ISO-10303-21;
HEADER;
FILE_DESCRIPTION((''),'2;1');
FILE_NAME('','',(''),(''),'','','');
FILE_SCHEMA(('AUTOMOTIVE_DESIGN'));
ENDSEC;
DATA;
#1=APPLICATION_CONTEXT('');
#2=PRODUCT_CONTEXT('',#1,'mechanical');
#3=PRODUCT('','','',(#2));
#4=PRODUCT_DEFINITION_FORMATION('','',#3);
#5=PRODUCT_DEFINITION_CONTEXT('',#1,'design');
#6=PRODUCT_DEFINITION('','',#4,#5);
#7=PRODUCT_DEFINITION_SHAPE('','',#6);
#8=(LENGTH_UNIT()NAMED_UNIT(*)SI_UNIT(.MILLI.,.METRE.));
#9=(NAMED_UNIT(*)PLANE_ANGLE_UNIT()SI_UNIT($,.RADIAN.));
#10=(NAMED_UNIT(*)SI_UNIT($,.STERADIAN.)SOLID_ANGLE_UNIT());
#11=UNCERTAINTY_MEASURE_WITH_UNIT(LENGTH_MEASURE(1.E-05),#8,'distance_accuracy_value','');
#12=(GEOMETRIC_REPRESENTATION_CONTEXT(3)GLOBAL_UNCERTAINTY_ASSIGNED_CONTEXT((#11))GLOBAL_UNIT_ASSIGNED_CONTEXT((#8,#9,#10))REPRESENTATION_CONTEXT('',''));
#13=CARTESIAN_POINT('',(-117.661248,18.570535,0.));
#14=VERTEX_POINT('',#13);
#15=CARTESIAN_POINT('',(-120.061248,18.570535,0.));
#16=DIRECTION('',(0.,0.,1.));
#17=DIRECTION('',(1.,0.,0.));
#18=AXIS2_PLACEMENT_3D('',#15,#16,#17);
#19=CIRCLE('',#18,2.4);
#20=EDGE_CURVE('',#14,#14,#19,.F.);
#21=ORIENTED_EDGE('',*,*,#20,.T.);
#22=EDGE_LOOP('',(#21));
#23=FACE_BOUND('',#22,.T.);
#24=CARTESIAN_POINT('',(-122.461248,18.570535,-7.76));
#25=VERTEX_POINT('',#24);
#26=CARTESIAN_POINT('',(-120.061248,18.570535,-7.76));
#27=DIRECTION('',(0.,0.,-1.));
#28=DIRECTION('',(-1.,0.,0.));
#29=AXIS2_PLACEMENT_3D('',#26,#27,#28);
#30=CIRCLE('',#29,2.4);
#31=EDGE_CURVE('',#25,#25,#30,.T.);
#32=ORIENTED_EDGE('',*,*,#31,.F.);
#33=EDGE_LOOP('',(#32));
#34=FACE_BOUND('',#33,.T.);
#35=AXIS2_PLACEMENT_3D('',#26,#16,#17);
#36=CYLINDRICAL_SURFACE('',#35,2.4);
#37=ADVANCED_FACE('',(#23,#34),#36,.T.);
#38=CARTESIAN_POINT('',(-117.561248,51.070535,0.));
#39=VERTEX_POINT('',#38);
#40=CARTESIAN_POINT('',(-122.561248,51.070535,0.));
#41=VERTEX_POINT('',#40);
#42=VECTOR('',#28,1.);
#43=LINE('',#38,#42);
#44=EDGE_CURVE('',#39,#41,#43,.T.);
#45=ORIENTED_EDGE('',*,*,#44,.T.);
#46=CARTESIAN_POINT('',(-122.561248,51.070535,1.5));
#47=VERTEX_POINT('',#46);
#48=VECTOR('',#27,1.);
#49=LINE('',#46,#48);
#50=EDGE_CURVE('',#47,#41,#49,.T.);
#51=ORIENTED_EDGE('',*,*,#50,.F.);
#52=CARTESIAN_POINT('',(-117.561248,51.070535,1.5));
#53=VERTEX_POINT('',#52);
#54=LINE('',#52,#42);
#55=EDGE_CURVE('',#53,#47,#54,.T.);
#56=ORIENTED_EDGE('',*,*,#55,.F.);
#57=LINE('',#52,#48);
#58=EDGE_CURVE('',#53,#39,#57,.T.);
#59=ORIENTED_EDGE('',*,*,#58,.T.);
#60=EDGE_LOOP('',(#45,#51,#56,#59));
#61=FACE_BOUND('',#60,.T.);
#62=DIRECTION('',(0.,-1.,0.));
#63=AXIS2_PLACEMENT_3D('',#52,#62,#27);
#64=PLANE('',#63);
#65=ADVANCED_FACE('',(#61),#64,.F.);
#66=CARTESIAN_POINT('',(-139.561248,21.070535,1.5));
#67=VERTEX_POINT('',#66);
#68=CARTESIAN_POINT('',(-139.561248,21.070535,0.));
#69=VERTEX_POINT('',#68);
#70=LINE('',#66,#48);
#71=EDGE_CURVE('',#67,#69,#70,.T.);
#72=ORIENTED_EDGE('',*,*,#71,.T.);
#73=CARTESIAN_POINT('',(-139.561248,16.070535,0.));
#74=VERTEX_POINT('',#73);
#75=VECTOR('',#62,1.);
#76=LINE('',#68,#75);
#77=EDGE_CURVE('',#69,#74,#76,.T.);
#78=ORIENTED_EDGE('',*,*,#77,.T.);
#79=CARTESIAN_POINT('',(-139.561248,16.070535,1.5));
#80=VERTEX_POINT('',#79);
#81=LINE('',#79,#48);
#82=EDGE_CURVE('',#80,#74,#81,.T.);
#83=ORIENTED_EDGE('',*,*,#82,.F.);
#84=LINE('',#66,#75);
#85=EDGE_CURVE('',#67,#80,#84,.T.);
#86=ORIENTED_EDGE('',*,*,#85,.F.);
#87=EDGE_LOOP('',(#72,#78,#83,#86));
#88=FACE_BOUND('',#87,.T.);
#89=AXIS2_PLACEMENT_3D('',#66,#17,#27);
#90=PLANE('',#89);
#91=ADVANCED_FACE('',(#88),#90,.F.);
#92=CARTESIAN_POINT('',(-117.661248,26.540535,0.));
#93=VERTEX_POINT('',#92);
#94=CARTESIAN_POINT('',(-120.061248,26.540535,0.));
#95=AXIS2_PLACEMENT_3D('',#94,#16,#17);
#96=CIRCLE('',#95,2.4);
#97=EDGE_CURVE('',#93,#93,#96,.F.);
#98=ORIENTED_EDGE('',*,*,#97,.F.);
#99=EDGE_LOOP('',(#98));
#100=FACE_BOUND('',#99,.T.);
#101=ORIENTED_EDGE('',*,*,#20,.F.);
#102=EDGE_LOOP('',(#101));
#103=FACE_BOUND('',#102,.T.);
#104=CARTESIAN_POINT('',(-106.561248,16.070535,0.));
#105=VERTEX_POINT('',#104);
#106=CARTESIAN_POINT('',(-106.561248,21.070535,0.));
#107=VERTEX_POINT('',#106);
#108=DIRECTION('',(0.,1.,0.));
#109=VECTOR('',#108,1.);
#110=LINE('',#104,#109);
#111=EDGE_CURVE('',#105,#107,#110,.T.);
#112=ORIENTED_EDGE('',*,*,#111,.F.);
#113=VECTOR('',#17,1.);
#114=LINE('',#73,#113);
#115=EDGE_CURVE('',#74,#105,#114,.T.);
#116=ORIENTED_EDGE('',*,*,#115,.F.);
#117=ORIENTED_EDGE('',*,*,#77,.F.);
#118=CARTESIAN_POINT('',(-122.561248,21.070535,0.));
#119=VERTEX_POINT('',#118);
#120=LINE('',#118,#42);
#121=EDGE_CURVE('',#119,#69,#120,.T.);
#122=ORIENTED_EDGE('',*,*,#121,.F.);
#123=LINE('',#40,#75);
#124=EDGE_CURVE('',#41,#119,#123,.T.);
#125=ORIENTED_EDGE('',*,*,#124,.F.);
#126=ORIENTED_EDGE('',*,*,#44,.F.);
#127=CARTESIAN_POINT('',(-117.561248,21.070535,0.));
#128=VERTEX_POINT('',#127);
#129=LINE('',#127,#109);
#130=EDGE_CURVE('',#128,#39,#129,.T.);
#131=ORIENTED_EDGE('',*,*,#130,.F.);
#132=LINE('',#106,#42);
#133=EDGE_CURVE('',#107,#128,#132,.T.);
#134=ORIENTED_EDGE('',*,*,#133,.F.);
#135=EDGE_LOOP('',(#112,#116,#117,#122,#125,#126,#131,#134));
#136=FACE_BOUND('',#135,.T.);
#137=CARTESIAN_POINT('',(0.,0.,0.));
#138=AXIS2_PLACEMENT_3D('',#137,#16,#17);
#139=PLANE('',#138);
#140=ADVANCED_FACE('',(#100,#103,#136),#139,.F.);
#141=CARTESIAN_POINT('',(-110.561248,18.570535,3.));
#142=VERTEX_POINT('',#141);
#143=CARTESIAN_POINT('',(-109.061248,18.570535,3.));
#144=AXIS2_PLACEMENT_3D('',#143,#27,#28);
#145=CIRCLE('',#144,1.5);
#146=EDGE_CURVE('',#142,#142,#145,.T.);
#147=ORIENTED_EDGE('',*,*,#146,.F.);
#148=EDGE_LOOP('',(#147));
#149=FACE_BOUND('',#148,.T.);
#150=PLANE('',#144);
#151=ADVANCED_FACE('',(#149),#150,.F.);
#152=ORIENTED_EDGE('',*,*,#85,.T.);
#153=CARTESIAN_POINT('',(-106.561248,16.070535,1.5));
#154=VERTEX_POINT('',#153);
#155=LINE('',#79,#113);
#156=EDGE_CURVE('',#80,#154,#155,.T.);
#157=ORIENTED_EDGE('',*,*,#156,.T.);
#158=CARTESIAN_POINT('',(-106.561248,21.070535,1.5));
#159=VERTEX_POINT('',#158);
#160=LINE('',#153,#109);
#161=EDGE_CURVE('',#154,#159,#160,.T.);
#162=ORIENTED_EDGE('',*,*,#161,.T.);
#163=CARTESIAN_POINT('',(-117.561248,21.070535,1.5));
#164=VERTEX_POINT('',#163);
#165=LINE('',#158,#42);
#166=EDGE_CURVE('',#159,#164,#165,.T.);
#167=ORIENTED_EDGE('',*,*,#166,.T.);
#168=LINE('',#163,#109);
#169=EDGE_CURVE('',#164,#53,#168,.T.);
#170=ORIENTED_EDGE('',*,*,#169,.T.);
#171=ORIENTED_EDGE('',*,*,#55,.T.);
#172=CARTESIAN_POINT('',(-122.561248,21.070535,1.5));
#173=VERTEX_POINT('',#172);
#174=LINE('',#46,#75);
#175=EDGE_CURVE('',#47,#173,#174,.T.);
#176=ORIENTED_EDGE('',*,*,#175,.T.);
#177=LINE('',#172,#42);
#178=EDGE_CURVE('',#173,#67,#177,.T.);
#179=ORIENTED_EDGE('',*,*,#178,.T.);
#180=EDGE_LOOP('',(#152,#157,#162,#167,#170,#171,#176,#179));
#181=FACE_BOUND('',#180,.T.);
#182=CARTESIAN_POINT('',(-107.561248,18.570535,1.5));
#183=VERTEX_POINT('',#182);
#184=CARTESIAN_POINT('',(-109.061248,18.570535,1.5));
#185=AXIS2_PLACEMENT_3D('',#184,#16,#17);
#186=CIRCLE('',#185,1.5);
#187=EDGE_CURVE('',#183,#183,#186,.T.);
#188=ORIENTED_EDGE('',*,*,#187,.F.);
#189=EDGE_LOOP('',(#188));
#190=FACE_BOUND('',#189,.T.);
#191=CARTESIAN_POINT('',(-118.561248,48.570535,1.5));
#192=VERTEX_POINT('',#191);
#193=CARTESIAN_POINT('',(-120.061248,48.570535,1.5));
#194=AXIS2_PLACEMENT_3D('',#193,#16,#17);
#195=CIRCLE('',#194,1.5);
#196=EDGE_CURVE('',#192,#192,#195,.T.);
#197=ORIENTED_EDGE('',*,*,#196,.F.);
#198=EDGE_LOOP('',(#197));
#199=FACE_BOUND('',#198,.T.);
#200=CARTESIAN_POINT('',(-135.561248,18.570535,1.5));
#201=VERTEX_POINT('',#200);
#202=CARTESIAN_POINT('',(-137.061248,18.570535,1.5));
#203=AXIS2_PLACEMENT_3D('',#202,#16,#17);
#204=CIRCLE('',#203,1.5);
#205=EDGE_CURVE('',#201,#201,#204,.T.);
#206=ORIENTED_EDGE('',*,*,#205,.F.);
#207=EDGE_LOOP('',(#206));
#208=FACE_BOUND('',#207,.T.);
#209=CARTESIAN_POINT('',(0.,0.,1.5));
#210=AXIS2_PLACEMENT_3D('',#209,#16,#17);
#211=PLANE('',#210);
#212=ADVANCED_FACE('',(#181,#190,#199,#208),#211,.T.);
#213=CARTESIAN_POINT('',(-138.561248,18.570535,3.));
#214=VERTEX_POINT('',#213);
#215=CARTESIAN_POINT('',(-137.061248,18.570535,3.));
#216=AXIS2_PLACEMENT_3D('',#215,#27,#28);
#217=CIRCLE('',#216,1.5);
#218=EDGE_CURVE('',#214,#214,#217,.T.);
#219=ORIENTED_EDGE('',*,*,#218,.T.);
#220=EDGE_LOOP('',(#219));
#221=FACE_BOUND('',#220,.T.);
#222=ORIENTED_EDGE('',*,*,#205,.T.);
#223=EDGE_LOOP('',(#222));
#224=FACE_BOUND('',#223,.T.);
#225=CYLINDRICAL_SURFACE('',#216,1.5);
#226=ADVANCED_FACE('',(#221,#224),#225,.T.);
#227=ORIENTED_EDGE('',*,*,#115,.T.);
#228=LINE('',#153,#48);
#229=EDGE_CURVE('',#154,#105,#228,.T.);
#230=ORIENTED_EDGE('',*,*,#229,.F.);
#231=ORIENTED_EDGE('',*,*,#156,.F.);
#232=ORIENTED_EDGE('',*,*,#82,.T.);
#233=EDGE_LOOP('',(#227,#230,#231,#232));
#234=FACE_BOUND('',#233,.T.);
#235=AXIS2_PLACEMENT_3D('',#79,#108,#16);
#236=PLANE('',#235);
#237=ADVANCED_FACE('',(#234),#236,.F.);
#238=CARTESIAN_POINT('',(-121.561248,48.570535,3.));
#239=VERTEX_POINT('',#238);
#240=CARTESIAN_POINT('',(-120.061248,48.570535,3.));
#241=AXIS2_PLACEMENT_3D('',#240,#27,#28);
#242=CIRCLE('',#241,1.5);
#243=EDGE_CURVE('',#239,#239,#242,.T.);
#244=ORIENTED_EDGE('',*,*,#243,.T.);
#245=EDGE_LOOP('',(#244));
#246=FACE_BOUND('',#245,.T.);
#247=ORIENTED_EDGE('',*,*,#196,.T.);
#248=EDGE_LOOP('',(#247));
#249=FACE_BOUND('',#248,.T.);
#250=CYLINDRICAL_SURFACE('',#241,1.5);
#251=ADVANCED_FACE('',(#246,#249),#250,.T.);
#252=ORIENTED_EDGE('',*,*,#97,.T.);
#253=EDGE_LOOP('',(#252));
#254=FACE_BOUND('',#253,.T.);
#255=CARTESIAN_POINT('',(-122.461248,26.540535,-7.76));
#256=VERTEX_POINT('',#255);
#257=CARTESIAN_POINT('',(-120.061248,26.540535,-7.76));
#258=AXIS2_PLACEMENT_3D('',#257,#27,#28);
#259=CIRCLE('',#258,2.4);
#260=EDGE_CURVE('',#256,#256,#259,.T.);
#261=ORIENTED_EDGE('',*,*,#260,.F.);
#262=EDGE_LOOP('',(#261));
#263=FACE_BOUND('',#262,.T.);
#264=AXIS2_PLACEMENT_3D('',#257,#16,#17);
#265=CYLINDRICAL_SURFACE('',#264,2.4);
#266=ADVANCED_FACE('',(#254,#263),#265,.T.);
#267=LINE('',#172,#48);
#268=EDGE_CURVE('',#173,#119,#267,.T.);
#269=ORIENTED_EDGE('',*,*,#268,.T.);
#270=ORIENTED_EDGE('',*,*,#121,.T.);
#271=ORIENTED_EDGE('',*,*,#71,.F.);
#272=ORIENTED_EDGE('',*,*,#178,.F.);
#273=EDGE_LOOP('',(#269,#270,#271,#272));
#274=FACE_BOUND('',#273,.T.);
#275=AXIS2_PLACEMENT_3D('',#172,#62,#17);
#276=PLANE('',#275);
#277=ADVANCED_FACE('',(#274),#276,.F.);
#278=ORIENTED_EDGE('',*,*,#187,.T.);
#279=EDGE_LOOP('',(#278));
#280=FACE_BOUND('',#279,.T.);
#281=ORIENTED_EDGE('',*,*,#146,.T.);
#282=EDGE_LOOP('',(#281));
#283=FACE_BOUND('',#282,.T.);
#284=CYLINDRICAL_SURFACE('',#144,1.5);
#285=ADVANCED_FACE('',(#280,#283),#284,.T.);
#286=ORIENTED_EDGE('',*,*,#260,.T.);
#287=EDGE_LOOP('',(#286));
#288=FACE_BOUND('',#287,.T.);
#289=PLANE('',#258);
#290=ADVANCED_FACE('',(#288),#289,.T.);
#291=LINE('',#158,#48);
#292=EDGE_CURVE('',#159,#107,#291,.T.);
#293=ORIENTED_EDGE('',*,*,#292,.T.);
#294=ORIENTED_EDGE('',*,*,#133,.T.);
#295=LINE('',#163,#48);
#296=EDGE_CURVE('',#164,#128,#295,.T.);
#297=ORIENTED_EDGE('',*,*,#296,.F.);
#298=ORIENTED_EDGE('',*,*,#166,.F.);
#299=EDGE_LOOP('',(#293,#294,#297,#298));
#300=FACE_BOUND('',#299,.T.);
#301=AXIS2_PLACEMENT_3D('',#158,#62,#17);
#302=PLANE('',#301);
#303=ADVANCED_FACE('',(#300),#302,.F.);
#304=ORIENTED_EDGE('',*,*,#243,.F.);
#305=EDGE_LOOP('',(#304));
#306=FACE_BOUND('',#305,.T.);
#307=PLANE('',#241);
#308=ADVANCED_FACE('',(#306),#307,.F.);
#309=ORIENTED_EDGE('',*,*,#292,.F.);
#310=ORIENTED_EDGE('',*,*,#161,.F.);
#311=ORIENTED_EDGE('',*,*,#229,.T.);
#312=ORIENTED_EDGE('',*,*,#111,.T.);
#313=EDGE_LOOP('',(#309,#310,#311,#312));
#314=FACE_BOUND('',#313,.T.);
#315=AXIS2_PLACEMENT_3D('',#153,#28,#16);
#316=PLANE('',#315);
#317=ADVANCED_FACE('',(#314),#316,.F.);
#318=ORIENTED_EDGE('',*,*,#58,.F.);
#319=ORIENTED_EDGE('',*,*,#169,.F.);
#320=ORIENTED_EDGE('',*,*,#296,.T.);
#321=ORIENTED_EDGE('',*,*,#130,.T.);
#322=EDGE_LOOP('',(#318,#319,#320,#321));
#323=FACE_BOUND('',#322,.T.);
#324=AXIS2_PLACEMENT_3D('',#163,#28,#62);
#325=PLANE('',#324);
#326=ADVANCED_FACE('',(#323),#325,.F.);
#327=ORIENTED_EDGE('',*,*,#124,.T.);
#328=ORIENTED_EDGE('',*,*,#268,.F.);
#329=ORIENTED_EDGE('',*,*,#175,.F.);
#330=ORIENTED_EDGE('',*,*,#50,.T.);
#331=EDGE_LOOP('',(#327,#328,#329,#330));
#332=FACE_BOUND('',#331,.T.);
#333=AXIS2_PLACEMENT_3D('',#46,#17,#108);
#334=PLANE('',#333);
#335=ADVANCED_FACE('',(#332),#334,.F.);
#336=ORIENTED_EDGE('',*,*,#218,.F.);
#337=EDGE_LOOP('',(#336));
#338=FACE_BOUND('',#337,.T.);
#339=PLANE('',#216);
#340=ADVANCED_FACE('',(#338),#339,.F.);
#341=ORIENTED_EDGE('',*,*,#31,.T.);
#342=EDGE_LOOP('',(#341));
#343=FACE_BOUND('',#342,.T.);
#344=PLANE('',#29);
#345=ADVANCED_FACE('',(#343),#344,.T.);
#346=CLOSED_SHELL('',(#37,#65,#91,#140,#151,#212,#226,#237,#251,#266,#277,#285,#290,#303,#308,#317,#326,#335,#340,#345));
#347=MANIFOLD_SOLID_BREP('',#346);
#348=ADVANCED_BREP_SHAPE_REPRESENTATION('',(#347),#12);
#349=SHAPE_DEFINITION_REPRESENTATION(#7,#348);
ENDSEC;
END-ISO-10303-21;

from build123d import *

# Parameters (mm, degrees)
BOSS_EXTRUDE2_DEPTH = 1.5
SKETCH5_R           = 1.5
BOSS_EXTRUDE5_DEPTH = 3
SKETCH6_R           = 2.4
BOSS_EXTRUDE6_DEPTH = 7.76


with BuildPart() as part:
    # Sketch4 → Boss-Extrude2 (new body)
    with BuildSketch(Plane.XY):
        Polygon((-139.561248012, 16.070535031), (-106.561248012, 16.070535031), (-106.561248012, 21.070535031), (-117.561248012, 21.070535031), (-117.561248012, 51.070535031), (-122.561248012, 51.070535031), (-122.561248012, 21.070535031), (-139.561248012, 21.070535031), align=None)
    extrude(amount=BOSS_EXTRUDE2_DEPTH)

    # Sketch5 → Boss-Extrude5 (add)
    with BuildSketch(Plane(origin=(0, 0, 0), x_dir=(-1, 0, 0), z_dir=(0, 0, -1))):
        with Locations((137.061248012, 18.570535031)):
            Circle(SKETCH5_R)
        with Locations((109.061248012, 18.570535031)):
            Circle(SKETCH5_R)
        with Locations((120.061248012, 48.570535031)):
            Circle(SKETCH5_R)
    extrude(amount=-BOSS_EXTRUDE5_DEPTH)

    # Sketch6 → Boss-Extrude6 (add)
    with BuildSketch(Plane(origin=(0, 0, 0), x_dir=(-1, 0, 0), z_dir=(0, 0, -1))):
        with Locations((120.061248012, 18.570535031)):
            Circle(SKETCH6_R)
        with Locations((120.061248012, 26.540535031)):
            Circle(SKETCH6_R)
    extrude(amount=BOSS_EXTRUDE6_DEPTH)


solid = part.part
